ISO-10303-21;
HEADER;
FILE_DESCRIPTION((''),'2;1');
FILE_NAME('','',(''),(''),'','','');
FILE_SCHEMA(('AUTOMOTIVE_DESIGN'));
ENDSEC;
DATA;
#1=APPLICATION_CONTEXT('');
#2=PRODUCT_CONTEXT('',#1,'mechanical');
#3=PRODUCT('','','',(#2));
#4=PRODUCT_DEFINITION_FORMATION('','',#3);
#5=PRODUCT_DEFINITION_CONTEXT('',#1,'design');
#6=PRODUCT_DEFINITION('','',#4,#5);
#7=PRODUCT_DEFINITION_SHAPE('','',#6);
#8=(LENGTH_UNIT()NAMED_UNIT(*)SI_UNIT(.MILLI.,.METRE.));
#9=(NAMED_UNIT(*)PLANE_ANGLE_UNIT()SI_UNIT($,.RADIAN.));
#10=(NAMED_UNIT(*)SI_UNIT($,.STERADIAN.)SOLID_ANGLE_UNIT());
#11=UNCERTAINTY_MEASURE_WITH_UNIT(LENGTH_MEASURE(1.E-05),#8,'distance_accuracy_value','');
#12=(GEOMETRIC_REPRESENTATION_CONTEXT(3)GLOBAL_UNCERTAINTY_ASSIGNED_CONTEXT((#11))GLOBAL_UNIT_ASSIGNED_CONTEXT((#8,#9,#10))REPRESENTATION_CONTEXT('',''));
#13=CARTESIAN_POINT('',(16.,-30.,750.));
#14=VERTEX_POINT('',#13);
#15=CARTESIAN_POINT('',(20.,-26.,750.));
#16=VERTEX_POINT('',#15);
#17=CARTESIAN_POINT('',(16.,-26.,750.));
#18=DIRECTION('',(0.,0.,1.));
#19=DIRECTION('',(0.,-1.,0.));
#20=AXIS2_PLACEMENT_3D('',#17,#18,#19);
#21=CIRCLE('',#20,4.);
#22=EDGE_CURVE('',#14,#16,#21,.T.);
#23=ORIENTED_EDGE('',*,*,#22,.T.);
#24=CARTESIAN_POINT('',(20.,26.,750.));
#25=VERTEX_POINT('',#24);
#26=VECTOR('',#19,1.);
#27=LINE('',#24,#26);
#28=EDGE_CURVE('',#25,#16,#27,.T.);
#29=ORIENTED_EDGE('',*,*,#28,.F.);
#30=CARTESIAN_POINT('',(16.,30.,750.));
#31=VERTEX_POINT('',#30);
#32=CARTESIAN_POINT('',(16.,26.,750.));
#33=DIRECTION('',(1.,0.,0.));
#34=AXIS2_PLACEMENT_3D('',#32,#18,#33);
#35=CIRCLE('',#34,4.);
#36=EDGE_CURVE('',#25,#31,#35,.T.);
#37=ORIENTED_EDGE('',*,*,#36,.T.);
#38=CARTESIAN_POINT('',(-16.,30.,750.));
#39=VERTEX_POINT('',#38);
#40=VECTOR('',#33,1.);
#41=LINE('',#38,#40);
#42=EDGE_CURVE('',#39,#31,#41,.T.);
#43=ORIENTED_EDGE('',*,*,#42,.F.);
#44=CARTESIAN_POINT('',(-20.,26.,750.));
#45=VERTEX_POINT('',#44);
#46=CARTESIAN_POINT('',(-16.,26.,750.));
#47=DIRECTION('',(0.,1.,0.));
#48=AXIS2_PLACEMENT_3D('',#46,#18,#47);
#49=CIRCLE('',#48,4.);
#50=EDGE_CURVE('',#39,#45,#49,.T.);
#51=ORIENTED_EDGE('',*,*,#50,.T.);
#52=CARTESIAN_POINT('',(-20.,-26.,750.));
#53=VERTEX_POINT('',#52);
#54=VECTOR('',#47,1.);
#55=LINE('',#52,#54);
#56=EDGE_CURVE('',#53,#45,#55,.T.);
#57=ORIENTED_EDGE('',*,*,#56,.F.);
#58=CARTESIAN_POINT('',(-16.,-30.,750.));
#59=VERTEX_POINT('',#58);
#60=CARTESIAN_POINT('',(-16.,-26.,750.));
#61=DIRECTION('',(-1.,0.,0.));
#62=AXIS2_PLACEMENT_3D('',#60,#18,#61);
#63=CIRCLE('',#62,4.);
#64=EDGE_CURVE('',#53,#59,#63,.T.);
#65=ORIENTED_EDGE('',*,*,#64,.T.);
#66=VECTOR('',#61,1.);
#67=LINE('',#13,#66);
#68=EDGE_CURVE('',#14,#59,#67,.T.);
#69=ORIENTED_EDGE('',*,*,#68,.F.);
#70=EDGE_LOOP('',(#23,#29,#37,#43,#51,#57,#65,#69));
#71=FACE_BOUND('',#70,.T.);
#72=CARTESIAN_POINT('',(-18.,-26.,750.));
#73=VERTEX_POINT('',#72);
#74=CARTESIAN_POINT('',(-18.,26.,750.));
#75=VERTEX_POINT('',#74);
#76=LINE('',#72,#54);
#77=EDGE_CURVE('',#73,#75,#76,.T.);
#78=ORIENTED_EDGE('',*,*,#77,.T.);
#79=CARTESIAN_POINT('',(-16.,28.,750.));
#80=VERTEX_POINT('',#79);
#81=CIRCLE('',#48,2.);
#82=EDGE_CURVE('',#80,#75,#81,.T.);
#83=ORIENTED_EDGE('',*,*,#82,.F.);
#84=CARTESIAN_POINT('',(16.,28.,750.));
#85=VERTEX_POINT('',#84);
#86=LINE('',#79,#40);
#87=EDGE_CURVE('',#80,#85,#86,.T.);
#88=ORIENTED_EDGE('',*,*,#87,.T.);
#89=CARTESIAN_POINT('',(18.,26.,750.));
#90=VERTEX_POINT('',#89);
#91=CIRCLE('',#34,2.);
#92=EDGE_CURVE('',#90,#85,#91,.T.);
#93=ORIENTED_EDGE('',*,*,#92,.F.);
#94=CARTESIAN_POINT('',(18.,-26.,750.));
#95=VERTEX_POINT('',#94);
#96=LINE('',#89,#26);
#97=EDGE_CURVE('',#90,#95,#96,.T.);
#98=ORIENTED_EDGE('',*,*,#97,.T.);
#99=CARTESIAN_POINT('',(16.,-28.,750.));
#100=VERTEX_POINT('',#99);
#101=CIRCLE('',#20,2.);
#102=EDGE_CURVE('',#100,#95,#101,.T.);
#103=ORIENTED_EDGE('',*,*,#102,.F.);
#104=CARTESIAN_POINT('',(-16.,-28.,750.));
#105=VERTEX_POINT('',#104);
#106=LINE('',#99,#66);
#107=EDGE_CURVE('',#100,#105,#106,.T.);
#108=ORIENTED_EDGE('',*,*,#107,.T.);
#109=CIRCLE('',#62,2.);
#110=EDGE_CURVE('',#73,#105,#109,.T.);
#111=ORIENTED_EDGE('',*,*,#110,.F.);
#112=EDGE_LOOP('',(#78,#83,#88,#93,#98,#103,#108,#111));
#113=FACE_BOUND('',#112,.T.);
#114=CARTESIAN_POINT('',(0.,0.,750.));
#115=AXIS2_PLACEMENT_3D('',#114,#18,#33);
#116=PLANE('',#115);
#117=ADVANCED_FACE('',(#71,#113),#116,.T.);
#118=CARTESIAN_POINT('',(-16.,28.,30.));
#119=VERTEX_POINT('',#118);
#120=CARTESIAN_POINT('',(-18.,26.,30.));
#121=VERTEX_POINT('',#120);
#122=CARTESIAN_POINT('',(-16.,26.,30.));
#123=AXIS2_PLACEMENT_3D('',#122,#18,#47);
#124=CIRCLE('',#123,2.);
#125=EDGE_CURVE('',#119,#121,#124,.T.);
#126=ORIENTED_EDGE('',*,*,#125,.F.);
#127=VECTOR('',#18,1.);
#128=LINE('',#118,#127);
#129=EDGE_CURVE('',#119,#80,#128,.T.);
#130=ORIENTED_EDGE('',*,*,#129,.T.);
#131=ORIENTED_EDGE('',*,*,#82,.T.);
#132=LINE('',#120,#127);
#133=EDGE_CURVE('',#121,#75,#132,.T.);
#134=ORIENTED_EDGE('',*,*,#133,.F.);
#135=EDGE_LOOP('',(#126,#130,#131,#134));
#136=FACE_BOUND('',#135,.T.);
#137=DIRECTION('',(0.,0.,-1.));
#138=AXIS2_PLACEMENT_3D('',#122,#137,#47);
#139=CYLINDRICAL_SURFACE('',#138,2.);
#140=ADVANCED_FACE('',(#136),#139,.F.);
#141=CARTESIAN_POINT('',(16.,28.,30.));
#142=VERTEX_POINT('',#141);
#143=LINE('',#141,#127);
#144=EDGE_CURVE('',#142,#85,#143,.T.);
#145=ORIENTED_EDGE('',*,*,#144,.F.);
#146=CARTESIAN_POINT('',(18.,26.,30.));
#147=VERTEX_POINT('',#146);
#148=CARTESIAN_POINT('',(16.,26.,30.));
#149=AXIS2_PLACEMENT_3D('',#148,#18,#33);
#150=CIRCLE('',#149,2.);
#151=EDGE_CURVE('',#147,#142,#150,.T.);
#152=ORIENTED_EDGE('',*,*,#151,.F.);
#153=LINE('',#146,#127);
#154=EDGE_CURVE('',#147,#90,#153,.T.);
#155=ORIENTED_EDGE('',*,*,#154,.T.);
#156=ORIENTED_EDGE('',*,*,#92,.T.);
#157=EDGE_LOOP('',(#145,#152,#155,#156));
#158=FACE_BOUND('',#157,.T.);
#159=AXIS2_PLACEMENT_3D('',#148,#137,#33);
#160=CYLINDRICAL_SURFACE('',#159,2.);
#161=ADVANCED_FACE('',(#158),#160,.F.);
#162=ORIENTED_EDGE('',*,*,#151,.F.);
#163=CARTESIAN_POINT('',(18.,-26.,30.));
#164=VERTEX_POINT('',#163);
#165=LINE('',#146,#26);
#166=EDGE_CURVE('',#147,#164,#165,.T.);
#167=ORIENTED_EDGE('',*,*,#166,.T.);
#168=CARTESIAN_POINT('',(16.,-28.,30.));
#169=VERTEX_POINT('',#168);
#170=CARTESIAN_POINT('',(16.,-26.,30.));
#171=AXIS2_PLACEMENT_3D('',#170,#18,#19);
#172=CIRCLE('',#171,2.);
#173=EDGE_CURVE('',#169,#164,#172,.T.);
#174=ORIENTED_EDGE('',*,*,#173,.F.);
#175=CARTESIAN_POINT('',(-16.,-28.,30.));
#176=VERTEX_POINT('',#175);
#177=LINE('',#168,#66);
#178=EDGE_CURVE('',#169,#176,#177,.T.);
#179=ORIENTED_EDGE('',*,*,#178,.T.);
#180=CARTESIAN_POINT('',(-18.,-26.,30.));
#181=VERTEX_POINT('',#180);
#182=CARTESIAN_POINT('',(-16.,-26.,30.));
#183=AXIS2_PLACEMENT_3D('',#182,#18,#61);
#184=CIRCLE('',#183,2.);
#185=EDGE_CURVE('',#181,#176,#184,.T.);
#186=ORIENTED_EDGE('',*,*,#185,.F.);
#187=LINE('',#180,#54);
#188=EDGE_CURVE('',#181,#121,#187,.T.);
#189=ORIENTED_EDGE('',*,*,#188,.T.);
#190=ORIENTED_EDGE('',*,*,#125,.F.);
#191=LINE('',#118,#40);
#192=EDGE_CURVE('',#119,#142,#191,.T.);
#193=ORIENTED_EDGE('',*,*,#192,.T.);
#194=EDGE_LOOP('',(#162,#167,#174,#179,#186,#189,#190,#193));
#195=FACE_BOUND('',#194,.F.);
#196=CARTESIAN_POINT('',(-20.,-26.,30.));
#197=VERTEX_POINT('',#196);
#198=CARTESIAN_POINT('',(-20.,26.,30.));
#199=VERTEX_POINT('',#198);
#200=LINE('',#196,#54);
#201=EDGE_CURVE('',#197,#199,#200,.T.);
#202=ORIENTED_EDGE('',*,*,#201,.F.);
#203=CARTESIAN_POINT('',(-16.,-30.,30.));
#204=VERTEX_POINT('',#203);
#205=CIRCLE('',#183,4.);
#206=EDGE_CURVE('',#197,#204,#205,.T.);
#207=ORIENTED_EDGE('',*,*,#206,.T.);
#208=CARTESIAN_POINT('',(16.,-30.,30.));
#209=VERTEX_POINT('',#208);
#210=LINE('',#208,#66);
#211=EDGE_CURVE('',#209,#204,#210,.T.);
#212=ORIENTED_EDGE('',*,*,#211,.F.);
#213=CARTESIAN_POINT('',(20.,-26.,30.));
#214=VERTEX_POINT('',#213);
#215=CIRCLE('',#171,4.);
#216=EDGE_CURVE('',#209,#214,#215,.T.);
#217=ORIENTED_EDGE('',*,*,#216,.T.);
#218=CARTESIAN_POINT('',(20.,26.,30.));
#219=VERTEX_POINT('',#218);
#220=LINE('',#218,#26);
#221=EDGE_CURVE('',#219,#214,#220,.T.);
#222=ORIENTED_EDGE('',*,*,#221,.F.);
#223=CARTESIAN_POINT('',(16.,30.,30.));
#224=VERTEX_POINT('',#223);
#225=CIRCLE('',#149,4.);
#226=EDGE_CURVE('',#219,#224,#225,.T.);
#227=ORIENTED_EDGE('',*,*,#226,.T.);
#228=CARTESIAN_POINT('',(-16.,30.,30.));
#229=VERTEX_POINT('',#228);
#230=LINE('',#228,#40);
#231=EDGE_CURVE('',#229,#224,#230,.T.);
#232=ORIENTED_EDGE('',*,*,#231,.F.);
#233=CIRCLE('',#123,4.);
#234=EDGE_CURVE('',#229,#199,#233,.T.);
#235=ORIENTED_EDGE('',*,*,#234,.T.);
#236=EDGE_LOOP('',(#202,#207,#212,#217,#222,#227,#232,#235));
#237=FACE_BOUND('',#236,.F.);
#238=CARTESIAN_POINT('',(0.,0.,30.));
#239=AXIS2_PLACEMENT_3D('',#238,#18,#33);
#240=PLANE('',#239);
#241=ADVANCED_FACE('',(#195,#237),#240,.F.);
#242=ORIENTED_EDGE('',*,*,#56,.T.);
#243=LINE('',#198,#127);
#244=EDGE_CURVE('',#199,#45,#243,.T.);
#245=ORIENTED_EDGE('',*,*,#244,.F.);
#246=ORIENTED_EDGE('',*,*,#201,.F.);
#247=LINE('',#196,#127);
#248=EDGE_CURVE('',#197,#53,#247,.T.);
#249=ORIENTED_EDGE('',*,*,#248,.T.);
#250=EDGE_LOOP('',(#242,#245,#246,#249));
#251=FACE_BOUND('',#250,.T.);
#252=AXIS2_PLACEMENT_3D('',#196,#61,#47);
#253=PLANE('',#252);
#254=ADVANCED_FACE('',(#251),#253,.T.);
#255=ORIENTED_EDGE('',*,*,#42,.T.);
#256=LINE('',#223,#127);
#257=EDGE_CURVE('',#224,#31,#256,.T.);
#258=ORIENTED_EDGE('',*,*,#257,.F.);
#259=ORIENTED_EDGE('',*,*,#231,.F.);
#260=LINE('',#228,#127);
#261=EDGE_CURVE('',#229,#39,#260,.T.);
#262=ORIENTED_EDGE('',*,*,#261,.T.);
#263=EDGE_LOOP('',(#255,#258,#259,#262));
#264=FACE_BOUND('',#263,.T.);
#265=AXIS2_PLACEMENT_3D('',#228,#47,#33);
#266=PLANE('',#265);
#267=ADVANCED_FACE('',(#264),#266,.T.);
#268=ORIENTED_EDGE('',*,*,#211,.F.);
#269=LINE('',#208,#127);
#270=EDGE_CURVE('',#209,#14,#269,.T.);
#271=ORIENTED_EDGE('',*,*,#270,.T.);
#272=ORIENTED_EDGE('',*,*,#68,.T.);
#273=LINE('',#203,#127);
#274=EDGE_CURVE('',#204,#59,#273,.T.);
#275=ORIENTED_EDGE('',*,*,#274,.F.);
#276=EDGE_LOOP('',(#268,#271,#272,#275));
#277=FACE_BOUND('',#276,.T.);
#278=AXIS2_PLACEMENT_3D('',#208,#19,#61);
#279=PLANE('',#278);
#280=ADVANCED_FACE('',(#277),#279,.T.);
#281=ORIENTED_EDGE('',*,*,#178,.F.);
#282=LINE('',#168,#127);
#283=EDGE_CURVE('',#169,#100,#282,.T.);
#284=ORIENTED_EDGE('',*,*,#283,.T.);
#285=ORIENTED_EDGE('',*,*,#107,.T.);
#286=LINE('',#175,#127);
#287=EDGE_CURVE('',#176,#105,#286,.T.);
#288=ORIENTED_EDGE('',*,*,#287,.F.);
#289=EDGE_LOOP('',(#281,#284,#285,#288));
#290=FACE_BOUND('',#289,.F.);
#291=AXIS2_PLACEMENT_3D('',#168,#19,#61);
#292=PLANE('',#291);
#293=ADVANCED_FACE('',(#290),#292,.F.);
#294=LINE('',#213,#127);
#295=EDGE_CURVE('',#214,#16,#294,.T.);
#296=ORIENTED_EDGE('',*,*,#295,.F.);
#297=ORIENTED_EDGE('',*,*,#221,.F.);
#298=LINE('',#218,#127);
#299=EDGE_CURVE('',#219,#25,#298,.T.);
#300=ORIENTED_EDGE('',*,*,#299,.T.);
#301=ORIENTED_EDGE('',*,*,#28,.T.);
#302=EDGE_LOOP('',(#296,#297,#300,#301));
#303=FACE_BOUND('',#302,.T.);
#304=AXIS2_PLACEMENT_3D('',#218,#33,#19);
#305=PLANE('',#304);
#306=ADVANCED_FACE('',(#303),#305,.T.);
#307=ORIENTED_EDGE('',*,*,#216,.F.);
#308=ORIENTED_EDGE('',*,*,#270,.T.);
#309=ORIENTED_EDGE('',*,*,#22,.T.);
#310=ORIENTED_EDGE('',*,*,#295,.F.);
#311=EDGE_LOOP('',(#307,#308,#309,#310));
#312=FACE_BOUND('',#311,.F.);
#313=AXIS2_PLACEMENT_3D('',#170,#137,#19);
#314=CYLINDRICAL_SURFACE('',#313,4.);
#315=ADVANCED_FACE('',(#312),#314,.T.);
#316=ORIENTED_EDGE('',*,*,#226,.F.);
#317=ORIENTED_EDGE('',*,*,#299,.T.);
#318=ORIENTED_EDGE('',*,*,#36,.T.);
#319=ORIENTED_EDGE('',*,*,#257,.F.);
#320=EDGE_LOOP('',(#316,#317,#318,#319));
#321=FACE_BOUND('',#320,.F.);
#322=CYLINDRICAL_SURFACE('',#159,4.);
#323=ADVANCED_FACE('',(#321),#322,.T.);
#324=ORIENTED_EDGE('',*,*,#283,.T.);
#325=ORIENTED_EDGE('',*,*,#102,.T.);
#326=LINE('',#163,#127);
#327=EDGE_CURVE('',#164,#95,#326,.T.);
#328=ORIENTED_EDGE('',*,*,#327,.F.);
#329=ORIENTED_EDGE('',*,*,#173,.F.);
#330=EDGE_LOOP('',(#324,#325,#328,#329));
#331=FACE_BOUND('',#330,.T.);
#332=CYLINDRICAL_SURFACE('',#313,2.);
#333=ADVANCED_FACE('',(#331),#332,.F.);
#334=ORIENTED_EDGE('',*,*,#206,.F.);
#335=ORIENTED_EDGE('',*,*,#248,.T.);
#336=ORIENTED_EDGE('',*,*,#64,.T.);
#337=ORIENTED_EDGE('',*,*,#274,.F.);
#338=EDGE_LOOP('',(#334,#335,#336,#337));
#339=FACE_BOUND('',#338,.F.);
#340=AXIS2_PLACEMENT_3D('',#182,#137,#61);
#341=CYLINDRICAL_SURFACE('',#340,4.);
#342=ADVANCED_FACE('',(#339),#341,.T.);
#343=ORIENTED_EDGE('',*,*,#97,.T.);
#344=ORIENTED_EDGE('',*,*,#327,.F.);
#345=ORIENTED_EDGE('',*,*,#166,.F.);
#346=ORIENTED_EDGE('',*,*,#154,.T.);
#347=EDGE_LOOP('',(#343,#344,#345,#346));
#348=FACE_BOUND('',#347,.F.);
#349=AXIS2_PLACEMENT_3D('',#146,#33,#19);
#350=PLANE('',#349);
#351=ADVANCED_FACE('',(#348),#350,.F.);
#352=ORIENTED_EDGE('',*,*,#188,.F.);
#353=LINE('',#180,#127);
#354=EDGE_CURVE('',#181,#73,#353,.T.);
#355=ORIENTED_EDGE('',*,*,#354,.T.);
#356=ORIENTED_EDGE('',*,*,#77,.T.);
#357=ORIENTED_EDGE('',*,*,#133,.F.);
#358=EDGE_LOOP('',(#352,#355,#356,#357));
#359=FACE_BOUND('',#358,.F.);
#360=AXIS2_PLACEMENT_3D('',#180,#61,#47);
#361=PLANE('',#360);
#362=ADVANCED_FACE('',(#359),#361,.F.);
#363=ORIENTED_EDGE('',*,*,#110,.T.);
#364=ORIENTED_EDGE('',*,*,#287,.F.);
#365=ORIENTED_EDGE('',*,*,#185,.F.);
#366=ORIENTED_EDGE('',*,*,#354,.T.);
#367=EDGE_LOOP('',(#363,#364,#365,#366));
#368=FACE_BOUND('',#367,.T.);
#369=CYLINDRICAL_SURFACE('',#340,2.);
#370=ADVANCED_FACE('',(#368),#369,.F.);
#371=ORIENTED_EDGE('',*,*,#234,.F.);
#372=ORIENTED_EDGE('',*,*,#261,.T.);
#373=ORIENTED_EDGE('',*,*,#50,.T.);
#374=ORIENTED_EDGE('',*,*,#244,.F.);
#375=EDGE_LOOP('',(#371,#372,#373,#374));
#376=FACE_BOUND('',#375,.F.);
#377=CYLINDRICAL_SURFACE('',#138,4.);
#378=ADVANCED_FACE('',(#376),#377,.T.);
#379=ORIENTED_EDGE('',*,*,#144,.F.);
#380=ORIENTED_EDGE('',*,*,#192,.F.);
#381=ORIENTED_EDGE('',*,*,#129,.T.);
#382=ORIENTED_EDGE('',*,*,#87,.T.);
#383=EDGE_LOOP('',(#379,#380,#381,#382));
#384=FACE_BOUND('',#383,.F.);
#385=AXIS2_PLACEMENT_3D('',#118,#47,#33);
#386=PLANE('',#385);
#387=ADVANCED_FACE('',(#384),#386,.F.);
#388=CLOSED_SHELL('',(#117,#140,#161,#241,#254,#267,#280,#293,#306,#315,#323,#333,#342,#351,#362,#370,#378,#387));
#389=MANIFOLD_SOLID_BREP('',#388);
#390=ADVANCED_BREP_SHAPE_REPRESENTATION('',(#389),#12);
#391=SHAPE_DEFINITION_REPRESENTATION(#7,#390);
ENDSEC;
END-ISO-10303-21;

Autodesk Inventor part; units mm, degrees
ref_plane "Start Plane" through (0, 0, 30) normal (0, 0, 1) x (1, 0, 0)
ref_plane "End Plane" through (0, 0, 750) normal (0, 0, 1) x (1, 0, 0)
sketch "Sketch" plane through (0, 0, 0) normal (0, 0, 1) x (1, 0, 0)
  line L0 (-20, -26) -> (-20, 26)
  line L1 (-16, 30) -> (16, 30)
  line L2 (20, 26) -> (20, -26)
  line L3 (16, -30) -> (-16, -30)
  arc A0 (-20, -26) -> (-16, -30) centre (-16, -26) ccw
  arc A1 (20, 26) -> (16, 30) centre (16, 26) ccw
  arc A2 (-16, 30) -> (-20, 26) centre (-16, 26) ccw
  arc A3 (16, -30) -> (20, -26) centre (16, -26) ccw
  arc A4 (-16, 28) -> (-18, 26) centre (-16, 26) ccw
  line L4 (-16, 28) -> (16, 28)
  arc A5 (18, 26) -> (16, 28) centre (16, 26) ccw
  line L5 (18, 26) -> (18, -26)
  arc A6 (16, -28) -> (18, -26) centre (16, -26) ccw
  line L6 (16, -28) -> (-16, -28)
  arc A7 (-18, -26) -> (-16, -28) centre (-16, -26) ccw
  line L7 (-18, -26) -> (-18, 26)
  line L8 (0, 43.1598) -> (0, -43.1598) construction
  line L9 (-29.1598, 0) -> (29.1598, 0) construction
  dimension "d7" = 4
  dimension "d9" = 40
  dimension "d11" = 60
  dimension "d12" = 2
  dimension "d15" = 20
  dimension "d16" = 30
extrude "Body" add sketch "Sketch" along normal up to surface (720 mm away) from surface at 30
sketch "Sketch3" plane through (0, 0, 0) normal (0, 0, 1) x (1, 0, 0)
  line L0 (0, 0) -> (10, 0)
ref_plane "Work Plane3" through (0, 0, 0) normal (0, -1, 0) x (1, 0, 0)
ref_plane "Work Plane4" through (22, -5300, 30) normal (0, 0, -1) x (-1, 0, 0)
split "Split1" plane through (22, -5300, 30) removes the side toward (0, 0, -1)
sketch "Sketch4" plane through (0, 0, 0) normal (0, -1, 0) x (1, 0, 0)
  line L0 (-2, 30) -> (12, 30) projected
  line L1 (-2, 750) -> (12, 750) projected
  dimension "d18" = 720
equation "\"d7\" = G_IR"
equation "\"d9\" = G_W"
equation "\"d11\" = G_H"
equation "\"d12\" = G_T"
equation "\"d15\" = 0.5 * d9"
equation "\"d16\" = 0.5 * d11"
equation "\"d3\" = G_L"
equation "\"G_W\" = 40"
equation "\"G_H\" = 60"
equation "\"G_T\" = 2"
equation "\"G_IR\" = 4"
equation "\"G_L\" = d18"
equation "\"G_OFFSET_END\" = 0"
properties part number "ISO 10799-2 - 60x40x2 - 720" material "Steel, Mild"
